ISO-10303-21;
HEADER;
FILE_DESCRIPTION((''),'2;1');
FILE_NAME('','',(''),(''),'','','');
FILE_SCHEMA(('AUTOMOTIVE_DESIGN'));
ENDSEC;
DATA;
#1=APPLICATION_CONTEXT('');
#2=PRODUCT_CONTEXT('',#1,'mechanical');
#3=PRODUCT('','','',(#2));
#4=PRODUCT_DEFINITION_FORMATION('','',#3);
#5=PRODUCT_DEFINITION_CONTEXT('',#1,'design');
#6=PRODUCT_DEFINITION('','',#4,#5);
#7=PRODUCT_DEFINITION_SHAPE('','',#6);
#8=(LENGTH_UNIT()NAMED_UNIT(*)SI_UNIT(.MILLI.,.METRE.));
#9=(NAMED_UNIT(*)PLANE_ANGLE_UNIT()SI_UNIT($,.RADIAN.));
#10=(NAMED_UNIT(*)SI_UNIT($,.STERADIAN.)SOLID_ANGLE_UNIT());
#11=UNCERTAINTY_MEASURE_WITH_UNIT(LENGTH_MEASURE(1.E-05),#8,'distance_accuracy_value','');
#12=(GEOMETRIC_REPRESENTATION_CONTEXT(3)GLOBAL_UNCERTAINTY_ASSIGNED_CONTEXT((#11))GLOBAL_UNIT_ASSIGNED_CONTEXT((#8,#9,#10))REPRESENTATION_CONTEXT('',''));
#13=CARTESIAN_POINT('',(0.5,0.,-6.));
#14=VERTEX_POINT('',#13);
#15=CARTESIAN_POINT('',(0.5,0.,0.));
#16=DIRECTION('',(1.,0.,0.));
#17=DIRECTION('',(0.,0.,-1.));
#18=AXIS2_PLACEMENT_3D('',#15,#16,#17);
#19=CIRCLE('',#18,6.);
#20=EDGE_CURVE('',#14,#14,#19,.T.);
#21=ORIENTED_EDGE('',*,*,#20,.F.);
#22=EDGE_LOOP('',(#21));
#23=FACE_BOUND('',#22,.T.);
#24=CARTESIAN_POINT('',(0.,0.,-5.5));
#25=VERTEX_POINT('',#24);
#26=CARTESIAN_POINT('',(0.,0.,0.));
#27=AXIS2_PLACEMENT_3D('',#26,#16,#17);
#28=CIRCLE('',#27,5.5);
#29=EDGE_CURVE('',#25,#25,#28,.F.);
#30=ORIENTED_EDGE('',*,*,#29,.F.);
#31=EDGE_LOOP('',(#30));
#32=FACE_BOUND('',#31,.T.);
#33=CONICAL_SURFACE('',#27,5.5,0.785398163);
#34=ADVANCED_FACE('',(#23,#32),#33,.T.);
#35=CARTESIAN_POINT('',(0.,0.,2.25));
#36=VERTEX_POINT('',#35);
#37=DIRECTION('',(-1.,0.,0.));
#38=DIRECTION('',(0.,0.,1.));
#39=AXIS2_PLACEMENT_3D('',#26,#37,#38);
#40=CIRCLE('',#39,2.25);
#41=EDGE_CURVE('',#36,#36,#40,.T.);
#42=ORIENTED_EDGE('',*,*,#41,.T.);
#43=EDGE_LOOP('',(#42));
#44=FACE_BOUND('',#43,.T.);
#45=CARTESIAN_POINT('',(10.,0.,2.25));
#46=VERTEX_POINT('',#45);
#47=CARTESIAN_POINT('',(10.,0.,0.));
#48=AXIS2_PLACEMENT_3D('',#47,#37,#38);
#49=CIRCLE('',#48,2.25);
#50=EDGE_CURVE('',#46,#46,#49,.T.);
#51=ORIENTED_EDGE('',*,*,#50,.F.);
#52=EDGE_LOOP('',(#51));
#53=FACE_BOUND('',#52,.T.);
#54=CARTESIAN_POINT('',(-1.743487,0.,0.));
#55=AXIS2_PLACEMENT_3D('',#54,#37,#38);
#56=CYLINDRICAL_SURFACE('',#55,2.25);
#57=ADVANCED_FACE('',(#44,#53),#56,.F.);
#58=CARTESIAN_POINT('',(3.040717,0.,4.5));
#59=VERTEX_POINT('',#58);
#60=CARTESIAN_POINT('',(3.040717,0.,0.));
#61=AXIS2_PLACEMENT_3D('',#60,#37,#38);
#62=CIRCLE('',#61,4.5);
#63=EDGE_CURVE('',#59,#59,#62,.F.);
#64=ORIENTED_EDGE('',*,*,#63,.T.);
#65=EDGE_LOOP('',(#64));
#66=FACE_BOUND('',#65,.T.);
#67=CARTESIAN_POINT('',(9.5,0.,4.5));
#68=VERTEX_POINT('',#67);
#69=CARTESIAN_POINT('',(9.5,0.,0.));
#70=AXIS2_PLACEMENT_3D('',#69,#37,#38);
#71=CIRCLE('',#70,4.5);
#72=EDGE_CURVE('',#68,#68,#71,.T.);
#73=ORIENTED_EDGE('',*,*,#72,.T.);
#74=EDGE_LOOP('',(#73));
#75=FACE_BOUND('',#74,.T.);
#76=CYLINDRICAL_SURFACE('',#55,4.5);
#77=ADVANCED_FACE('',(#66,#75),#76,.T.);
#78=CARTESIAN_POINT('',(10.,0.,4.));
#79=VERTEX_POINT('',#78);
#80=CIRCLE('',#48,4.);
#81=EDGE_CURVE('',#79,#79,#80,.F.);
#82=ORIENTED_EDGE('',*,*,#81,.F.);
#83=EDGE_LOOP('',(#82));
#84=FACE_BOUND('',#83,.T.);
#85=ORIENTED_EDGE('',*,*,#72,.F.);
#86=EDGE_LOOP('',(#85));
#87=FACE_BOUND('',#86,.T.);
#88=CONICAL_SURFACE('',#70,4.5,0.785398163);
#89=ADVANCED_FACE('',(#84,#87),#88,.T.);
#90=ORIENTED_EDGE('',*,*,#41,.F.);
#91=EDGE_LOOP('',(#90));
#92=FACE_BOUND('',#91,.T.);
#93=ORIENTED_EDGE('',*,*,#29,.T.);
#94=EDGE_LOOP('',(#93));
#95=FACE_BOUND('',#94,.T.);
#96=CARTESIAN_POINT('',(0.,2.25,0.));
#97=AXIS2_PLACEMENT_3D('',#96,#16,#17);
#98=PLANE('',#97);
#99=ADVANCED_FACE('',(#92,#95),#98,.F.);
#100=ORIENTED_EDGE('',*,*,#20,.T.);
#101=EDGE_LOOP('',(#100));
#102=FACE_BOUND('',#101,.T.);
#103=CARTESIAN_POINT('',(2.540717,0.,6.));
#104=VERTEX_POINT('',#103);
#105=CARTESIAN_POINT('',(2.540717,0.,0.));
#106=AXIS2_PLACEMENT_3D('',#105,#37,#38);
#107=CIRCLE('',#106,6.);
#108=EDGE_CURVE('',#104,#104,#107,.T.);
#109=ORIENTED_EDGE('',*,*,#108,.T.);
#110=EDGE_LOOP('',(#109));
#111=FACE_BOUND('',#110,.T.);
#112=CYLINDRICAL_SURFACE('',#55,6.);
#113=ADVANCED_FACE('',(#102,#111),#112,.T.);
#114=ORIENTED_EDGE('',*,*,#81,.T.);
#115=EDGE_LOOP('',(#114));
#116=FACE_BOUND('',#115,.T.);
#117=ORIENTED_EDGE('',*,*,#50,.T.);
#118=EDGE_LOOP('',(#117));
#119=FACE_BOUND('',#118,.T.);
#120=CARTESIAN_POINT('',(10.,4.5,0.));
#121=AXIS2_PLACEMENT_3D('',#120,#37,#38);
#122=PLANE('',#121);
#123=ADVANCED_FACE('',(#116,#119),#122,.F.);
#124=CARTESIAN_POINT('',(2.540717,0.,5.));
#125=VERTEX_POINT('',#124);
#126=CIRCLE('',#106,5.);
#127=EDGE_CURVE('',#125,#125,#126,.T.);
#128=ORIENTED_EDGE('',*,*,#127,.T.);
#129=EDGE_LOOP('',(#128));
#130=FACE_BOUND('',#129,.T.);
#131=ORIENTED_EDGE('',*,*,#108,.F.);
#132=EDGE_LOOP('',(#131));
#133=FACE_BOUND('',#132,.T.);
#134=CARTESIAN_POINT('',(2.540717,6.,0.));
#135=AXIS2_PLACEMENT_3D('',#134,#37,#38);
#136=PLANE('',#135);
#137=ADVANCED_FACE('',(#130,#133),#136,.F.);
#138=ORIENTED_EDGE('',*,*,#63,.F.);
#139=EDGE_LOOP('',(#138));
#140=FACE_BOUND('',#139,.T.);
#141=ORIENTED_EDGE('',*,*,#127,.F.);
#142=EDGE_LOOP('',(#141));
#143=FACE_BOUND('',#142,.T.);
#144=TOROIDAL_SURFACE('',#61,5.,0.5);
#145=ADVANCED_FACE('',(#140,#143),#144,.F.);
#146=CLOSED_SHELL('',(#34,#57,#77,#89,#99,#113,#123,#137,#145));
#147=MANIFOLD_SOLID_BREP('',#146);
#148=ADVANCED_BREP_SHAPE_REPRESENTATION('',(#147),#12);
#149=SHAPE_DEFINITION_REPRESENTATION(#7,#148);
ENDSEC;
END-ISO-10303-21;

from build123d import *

# Parameters (mm, degrees)
CHAMFER1_SIZE = 0.5
FILLET1_R     = 0.5


with BuildPart() as part:
    # Sketch1 → Revolve1 (revolve)
    with BuildSketch(Plane.XY, mode=Mode.PRIVATE) as revolve1_sk:
        Polygon((0, 2.25), (0, 6), (2.540716612, 6), (2.540716612, 4.5), (10, 4.5), (10, 2.25), align=None)
    revolve(revolve1_sk.sketch.rotate(Axis((-1.743486548, 0, 0), (1, 0, 0)), 90), axis=Axis((-1.743486548, 0, 0), (1, 0, 0)))

    # Chamfer1
    chamfer1_edges = [part.edges().sort_by_distance(p)[0] for p in [
        (10, 0, -4.5),
        (0, 0, -6),
    ]]
    chamfer(chamfer1_edges, length=CHAMFER1_SIZE)

    # Fillet1
    fillet1_edges = [part.edges().sort_by_distance(p)[0] for p in [
        (2.540716612, 0, -4.5),
    ]]
    fillet(fillet1_edges, radius=FILLET1_R)


solid = part.part
